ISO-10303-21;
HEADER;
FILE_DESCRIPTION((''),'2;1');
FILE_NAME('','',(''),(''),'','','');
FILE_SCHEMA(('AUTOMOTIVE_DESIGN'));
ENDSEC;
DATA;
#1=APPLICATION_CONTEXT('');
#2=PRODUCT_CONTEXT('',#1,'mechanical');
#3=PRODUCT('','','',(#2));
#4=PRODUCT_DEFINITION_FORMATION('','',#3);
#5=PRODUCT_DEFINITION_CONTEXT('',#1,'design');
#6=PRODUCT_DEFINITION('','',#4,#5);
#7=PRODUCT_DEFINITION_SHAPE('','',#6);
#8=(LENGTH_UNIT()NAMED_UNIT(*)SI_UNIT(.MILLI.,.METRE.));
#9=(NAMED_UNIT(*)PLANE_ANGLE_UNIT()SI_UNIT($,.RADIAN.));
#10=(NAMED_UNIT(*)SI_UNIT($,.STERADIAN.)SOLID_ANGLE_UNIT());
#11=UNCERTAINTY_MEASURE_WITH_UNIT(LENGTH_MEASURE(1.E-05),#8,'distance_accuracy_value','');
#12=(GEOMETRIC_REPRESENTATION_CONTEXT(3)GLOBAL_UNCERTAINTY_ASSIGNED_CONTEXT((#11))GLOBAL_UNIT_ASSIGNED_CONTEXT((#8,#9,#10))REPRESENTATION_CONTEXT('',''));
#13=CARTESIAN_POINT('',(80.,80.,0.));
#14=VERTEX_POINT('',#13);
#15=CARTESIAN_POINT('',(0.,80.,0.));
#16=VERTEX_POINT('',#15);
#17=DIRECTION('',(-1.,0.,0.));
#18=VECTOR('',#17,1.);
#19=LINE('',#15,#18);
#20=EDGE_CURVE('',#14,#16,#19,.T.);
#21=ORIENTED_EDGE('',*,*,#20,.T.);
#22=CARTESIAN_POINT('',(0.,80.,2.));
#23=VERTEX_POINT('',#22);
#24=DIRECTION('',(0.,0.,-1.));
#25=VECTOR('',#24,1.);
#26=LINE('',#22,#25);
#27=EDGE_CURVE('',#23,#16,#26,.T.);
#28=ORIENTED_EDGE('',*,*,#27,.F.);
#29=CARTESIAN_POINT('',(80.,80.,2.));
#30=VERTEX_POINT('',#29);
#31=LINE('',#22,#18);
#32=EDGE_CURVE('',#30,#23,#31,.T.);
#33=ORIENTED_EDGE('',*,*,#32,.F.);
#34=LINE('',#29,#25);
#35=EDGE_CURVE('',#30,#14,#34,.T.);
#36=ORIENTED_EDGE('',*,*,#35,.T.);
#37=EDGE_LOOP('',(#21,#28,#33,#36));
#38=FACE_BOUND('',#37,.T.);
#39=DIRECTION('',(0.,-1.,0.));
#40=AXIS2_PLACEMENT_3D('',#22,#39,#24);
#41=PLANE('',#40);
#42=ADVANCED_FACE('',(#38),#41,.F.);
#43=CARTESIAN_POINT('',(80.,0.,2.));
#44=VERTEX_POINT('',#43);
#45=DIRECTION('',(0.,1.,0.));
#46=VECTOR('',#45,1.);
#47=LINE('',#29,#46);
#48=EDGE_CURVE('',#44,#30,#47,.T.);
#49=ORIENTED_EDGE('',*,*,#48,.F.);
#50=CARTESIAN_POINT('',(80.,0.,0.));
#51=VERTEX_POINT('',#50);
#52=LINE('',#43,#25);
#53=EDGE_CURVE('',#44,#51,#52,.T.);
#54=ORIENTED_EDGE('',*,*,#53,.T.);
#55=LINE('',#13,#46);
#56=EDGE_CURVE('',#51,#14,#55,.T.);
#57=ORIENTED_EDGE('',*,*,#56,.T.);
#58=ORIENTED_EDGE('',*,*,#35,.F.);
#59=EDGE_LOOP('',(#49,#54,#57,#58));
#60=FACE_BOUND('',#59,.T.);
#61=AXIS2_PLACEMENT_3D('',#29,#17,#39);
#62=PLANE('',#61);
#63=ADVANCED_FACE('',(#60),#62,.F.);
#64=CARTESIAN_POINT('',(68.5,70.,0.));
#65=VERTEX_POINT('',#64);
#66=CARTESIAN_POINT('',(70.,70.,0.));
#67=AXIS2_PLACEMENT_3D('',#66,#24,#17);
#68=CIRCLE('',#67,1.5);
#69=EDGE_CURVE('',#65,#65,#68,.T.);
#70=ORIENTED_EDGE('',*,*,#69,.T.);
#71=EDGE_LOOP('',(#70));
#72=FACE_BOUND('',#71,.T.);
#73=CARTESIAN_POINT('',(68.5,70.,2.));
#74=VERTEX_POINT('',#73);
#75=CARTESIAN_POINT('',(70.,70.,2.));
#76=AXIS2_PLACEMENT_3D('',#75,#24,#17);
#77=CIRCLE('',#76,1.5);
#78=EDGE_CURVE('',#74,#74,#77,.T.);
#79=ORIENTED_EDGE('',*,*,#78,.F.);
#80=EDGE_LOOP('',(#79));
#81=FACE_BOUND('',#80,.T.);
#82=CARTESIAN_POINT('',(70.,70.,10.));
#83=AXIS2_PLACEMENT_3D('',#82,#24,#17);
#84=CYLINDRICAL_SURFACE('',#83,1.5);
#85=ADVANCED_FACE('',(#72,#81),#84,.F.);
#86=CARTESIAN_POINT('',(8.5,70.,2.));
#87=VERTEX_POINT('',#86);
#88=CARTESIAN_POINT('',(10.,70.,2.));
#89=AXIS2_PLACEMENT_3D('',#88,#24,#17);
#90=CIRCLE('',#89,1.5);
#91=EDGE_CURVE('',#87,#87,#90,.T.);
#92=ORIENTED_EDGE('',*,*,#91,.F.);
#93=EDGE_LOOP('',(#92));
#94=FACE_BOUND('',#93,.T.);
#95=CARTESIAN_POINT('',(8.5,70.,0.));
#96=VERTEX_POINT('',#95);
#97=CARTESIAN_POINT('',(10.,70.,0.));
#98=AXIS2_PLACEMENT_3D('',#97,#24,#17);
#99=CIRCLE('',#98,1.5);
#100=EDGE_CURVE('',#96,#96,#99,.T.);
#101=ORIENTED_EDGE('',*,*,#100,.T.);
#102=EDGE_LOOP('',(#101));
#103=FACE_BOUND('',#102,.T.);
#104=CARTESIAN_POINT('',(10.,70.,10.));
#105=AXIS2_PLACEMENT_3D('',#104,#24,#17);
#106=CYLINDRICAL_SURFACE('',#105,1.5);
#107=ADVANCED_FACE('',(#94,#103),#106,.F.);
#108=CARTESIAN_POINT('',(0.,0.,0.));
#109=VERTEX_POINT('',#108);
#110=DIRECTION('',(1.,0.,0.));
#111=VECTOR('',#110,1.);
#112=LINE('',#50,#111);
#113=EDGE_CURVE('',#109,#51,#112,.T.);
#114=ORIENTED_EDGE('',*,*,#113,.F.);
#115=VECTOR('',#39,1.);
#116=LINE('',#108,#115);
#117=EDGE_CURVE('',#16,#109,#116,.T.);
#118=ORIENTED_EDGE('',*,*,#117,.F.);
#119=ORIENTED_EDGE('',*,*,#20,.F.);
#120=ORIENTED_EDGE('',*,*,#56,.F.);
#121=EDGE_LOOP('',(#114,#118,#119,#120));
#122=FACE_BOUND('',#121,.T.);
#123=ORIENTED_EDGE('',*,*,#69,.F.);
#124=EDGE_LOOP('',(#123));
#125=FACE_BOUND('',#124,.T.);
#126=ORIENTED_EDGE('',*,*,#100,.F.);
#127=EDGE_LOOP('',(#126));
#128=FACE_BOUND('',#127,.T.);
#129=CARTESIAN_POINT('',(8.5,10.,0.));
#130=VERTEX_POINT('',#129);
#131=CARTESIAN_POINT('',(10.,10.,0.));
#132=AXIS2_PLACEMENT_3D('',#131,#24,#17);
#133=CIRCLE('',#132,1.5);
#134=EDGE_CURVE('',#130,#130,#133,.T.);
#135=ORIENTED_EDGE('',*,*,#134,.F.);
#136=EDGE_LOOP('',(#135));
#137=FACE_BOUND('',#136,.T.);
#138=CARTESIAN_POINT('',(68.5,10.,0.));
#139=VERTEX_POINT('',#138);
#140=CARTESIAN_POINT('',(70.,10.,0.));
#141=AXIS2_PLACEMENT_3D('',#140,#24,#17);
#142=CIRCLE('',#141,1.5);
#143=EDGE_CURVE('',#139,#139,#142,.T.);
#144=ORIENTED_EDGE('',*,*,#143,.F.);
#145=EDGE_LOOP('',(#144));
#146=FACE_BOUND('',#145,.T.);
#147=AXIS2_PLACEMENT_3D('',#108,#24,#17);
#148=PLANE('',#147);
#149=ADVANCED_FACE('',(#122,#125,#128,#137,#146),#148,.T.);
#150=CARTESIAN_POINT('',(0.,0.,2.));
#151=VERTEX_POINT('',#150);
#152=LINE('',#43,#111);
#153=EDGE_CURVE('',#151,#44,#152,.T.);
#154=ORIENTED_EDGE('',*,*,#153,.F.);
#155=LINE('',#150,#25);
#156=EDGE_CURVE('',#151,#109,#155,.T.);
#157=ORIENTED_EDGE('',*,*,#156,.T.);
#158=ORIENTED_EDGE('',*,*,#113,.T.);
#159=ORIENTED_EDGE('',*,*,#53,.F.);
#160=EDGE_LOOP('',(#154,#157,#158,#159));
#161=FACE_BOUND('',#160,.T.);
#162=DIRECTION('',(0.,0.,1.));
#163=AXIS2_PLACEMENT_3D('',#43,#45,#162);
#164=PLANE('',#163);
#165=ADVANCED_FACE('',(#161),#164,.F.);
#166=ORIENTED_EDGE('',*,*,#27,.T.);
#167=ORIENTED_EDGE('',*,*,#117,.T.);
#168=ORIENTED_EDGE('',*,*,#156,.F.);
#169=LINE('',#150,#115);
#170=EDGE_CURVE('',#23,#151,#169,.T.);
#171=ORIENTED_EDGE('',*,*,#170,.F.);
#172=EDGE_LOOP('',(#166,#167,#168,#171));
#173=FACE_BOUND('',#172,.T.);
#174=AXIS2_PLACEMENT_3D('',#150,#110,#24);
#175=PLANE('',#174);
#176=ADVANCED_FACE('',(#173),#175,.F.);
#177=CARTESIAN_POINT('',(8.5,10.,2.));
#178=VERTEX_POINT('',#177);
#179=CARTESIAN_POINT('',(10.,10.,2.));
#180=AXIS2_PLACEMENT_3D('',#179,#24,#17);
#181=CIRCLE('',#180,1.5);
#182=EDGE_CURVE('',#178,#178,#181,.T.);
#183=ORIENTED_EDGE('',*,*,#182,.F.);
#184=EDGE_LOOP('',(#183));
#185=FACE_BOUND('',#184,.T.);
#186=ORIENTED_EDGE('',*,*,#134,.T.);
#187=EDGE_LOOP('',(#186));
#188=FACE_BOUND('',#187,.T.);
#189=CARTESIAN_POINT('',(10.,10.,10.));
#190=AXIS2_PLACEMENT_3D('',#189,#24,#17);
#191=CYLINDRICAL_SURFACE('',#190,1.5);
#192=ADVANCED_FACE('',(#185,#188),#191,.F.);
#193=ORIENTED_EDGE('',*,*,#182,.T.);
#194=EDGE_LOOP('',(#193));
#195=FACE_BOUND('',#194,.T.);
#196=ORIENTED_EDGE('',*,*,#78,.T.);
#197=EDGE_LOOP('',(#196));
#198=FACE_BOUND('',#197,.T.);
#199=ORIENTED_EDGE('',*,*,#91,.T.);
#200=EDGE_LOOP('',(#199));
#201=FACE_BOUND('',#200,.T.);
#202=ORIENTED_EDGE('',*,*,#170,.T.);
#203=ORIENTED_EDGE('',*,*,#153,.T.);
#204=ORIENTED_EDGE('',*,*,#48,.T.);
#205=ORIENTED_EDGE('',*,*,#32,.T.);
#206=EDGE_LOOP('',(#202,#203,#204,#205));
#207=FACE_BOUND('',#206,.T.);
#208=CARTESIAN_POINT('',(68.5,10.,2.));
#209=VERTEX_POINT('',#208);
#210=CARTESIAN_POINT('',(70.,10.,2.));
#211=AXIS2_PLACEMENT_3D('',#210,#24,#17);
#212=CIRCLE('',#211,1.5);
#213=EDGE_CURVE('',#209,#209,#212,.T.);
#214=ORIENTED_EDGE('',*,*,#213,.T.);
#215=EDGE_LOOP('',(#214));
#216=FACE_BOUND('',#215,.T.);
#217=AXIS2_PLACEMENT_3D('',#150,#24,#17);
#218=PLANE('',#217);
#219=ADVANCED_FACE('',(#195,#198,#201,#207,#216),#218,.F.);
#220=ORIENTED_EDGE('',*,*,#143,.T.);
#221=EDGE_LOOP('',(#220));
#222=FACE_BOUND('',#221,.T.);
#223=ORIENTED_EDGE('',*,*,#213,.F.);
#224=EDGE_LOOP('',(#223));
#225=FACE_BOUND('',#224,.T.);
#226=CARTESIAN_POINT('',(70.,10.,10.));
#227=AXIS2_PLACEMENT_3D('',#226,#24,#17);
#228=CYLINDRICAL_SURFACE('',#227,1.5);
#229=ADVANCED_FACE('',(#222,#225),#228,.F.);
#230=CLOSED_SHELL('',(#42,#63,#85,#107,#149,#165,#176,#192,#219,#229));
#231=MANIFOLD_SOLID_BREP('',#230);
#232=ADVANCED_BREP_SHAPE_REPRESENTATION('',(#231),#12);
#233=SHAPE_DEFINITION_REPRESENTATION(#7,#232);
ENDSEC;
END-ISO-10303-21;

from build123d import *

# Parameters (mm, degrees)
SKETCH2_W           = 80
SKETCH2_H           = 80
BOSS_EXTRUDE1_DEPTH = 2
SKETCH3_R           = 1.5
CUT_EXTRUDE1_DEPTH  = 10


with BuildPart() as part:
    # Sketch2 → Boss-Extrude1 (new body)
    with BuildSketch(Plane.XY):
        with Locations((40, 40)):
            Rectangle(SKETCH2_W, SKETCH2_H)
    extrude(amount=BOSS_EXTRUDE1_DEPTH)

    # Sketch3 → Cut-Extrude1 (cut)
    with BuildSketch(Plane(origin=(0, 0, 0), x_dir=(-1, 0, 0), z_dir=(0, 0, -1))):
        with Locations((-70, 10)):
            Circle(SKETCH3_R)
        with Locations((-10, 10)):
            Circle(SKETCH3_R)
        with Locations((-10, 70)):
            Circle(SKETCH3_R)
        with Locations((-70, 70)):
            Circle(SKETCH3_R)
    extrude(amount=-CUT_EXTRUDE1_DEPTH, mode=Mode.SUBTRACT)


solid = part.part
